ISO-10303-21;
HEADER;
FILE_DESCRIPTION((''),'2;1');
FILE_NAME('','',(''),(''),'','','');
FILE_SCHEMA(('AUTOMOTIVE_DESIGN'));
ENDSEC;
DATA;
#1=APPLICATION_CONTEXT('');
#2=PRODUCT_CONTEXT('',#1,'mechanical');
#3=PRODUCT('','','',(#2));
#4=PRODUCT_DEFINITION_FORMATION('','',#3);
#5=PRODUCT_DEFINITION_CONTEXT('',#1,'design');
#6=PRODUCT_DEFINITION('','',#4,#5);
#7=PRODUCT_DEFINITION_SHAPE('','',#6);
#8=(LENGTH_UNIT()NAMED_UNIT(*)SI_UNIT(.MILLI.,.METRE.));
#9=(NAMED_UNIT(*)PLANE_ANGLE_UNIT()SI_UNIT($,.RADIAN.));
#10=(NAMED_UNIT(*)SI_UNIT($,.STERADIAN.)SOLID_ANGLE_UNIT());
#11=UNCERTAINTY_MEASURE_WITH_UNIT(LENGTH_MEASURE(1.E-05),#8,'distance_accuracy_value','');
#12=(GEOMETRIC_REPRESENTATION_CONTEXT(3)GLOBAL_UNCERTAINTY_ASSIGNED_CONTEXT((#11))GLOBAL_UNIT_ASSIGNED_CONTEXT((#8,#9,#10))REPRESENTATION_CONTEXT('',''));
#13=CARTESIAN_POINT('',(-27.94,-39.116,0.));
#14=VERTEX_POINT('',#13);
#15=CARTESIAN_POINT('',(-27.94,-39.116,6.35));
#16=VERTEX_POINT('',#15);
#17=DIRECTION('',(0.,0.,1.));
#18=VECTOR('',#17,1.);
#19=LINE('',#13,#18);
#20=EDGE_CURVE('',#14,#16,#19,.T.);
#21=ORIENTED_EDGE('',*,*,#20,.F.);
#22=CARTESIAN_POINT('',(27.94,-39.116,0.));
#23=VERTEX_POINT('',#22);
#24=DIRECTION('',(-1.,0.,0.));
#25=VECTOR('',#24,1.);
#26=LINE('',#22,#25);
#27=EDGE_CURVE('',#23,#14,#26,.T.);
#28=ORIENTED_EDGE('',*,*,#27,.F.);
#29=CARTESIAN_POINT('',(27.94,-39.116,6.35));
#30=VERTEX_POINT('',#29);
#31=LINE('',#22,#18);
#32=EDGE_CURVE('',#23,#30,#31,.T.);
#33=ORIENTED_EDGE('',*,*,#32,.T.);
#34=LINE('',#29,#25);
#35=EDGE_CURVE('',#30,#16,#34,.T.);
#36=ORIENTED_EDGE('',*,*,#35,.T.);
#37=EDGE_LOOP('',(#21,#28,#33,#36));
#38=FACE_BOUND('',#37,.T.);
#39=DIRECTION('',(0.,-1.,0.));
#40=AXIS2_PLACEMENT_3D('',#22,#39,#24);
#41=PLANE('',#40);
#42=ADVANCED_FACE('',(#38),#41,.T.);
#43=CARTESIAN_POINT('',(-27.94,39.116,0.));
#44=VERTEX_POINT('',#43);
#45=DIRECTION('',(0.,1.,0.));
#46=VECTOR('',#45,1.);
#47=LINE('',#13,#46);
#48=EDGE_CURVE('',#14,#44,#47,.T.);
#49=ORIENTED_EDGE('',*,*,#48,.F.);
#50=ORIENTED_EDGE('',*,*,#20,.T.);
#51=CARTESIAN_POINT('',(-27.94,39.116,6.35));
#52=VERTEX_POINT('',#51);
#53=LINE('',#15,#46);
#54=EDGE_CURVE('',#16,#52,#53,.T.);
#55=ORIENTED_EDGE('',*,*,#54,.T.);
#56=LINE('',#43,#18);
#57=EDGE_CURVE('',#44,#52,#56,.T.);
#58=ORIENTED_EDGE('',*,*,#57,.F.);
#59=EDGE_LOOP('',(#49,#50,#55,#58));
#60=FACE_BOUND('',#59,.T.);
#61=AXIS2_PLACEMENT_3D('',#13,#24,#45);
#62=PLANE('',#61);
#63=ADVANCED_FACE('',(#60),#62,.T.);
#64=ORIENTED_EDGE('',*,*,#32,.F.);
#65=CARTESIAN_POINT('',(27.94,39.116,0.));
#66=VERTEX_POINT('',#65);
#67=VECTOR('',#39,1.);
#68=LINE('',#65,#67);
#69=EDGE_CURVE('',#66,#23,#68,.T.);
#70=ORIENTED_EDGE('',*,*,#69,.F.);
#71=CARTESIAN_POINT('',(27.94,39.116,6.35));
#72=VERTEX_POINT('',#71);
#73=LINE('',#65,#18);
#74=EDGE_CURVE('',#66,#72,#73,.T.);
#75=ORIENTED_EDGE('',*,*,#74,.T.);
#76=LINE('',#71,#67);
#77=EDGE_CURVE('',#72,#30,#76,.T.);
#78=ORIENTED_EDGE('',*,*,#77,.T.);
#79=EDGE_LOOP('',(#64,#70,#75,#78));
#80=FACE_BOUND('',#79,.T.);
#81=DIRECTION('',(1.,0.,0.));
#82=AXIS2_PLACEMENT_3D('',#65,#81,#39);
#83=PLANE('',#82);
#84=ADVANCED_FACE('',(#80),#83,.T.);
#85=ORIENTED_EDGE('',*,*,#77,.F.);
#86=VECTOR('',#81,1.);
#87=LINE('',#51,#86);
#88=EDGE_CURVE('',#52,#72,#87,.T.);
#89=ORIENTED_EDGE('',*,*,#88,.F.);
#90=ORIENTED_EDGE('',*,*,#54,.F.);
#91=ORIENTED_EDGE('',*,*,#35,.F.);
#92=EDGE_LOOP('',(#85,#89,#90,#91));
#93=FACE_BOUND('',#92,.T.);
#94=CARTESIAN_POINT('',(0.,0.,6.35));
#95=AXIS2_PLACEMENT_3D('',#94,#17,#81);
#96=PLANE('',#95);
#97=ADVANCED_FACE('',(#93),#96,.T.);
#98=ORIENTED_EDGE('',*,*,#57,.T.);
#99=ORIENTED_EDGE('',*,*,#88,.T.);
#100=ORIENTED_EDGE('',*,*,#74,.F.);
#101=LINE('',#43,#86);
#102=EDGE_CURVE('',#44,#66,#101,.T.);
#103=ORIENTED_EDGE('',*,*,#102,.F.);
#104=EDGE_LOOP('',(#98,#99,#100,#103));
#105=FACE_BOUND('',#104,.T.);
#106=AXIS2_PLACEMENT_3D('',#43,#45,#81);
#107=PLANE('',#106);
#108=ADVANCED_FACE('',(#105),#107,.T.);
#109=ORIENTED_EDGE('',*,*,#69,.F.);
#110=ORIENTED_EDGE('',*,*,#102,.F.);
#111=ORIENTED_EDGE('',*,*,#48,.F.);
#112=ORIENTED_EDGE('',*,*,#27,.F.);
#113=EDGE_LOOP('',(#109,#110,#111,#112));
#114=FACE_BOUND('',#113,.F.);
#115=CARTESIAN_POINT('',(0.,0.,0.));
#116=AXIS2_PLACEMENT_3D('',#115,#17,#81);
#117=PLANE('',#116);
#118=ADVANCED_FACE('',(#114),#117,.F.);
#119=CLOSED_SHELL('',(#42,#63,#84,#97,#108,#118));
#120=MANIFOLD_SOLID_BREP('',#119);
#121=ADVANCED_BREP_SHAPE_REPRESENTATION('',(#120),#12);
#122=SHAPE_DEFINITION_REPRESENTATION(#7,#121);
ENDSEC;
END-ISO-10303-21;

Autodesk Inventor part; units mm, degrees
ref_plane "YZ Plane" through (0, 0, 0) normal (1, 0, 0) x (0, 1, 0)
ref_plane "XZ Plane" through (0, 0, 0) normal (0, 1, 0) x (-1, 0, 0)
ref_plane "XY Plane" through (0, 0, 0) normal (0, 0, 1) x (1, 0, 0)
sketch "Sketch1" plane through (0, 0, 0) normal (0, 0, 1) x (1, 0, 0)
  line L0 (-27.94, 39.116) -> (27.94, 39.116)
  line L1 (27.94, 39.116) -> (27.94, -39.116)
  line L2 (27.94, -39.116) -> (-27.94, -39.116)
  line L3 (-27.94, -39.116) -> (-27.94, 39.116)
  line L4 (-27.94, 39.116) -> (27.94, -39.116) construction
  line L5 (27.94, 39.116) -> (-27.94, -39.116) construction
  point P0 (0, 0)
  dimension "d2" = 55.88
  dimension "d3" = 78.232
extrude "Extrusion1" add sketch "Sketch1" along normal blind 6.35
properties part number "Generic Riser" material "Rubber"
